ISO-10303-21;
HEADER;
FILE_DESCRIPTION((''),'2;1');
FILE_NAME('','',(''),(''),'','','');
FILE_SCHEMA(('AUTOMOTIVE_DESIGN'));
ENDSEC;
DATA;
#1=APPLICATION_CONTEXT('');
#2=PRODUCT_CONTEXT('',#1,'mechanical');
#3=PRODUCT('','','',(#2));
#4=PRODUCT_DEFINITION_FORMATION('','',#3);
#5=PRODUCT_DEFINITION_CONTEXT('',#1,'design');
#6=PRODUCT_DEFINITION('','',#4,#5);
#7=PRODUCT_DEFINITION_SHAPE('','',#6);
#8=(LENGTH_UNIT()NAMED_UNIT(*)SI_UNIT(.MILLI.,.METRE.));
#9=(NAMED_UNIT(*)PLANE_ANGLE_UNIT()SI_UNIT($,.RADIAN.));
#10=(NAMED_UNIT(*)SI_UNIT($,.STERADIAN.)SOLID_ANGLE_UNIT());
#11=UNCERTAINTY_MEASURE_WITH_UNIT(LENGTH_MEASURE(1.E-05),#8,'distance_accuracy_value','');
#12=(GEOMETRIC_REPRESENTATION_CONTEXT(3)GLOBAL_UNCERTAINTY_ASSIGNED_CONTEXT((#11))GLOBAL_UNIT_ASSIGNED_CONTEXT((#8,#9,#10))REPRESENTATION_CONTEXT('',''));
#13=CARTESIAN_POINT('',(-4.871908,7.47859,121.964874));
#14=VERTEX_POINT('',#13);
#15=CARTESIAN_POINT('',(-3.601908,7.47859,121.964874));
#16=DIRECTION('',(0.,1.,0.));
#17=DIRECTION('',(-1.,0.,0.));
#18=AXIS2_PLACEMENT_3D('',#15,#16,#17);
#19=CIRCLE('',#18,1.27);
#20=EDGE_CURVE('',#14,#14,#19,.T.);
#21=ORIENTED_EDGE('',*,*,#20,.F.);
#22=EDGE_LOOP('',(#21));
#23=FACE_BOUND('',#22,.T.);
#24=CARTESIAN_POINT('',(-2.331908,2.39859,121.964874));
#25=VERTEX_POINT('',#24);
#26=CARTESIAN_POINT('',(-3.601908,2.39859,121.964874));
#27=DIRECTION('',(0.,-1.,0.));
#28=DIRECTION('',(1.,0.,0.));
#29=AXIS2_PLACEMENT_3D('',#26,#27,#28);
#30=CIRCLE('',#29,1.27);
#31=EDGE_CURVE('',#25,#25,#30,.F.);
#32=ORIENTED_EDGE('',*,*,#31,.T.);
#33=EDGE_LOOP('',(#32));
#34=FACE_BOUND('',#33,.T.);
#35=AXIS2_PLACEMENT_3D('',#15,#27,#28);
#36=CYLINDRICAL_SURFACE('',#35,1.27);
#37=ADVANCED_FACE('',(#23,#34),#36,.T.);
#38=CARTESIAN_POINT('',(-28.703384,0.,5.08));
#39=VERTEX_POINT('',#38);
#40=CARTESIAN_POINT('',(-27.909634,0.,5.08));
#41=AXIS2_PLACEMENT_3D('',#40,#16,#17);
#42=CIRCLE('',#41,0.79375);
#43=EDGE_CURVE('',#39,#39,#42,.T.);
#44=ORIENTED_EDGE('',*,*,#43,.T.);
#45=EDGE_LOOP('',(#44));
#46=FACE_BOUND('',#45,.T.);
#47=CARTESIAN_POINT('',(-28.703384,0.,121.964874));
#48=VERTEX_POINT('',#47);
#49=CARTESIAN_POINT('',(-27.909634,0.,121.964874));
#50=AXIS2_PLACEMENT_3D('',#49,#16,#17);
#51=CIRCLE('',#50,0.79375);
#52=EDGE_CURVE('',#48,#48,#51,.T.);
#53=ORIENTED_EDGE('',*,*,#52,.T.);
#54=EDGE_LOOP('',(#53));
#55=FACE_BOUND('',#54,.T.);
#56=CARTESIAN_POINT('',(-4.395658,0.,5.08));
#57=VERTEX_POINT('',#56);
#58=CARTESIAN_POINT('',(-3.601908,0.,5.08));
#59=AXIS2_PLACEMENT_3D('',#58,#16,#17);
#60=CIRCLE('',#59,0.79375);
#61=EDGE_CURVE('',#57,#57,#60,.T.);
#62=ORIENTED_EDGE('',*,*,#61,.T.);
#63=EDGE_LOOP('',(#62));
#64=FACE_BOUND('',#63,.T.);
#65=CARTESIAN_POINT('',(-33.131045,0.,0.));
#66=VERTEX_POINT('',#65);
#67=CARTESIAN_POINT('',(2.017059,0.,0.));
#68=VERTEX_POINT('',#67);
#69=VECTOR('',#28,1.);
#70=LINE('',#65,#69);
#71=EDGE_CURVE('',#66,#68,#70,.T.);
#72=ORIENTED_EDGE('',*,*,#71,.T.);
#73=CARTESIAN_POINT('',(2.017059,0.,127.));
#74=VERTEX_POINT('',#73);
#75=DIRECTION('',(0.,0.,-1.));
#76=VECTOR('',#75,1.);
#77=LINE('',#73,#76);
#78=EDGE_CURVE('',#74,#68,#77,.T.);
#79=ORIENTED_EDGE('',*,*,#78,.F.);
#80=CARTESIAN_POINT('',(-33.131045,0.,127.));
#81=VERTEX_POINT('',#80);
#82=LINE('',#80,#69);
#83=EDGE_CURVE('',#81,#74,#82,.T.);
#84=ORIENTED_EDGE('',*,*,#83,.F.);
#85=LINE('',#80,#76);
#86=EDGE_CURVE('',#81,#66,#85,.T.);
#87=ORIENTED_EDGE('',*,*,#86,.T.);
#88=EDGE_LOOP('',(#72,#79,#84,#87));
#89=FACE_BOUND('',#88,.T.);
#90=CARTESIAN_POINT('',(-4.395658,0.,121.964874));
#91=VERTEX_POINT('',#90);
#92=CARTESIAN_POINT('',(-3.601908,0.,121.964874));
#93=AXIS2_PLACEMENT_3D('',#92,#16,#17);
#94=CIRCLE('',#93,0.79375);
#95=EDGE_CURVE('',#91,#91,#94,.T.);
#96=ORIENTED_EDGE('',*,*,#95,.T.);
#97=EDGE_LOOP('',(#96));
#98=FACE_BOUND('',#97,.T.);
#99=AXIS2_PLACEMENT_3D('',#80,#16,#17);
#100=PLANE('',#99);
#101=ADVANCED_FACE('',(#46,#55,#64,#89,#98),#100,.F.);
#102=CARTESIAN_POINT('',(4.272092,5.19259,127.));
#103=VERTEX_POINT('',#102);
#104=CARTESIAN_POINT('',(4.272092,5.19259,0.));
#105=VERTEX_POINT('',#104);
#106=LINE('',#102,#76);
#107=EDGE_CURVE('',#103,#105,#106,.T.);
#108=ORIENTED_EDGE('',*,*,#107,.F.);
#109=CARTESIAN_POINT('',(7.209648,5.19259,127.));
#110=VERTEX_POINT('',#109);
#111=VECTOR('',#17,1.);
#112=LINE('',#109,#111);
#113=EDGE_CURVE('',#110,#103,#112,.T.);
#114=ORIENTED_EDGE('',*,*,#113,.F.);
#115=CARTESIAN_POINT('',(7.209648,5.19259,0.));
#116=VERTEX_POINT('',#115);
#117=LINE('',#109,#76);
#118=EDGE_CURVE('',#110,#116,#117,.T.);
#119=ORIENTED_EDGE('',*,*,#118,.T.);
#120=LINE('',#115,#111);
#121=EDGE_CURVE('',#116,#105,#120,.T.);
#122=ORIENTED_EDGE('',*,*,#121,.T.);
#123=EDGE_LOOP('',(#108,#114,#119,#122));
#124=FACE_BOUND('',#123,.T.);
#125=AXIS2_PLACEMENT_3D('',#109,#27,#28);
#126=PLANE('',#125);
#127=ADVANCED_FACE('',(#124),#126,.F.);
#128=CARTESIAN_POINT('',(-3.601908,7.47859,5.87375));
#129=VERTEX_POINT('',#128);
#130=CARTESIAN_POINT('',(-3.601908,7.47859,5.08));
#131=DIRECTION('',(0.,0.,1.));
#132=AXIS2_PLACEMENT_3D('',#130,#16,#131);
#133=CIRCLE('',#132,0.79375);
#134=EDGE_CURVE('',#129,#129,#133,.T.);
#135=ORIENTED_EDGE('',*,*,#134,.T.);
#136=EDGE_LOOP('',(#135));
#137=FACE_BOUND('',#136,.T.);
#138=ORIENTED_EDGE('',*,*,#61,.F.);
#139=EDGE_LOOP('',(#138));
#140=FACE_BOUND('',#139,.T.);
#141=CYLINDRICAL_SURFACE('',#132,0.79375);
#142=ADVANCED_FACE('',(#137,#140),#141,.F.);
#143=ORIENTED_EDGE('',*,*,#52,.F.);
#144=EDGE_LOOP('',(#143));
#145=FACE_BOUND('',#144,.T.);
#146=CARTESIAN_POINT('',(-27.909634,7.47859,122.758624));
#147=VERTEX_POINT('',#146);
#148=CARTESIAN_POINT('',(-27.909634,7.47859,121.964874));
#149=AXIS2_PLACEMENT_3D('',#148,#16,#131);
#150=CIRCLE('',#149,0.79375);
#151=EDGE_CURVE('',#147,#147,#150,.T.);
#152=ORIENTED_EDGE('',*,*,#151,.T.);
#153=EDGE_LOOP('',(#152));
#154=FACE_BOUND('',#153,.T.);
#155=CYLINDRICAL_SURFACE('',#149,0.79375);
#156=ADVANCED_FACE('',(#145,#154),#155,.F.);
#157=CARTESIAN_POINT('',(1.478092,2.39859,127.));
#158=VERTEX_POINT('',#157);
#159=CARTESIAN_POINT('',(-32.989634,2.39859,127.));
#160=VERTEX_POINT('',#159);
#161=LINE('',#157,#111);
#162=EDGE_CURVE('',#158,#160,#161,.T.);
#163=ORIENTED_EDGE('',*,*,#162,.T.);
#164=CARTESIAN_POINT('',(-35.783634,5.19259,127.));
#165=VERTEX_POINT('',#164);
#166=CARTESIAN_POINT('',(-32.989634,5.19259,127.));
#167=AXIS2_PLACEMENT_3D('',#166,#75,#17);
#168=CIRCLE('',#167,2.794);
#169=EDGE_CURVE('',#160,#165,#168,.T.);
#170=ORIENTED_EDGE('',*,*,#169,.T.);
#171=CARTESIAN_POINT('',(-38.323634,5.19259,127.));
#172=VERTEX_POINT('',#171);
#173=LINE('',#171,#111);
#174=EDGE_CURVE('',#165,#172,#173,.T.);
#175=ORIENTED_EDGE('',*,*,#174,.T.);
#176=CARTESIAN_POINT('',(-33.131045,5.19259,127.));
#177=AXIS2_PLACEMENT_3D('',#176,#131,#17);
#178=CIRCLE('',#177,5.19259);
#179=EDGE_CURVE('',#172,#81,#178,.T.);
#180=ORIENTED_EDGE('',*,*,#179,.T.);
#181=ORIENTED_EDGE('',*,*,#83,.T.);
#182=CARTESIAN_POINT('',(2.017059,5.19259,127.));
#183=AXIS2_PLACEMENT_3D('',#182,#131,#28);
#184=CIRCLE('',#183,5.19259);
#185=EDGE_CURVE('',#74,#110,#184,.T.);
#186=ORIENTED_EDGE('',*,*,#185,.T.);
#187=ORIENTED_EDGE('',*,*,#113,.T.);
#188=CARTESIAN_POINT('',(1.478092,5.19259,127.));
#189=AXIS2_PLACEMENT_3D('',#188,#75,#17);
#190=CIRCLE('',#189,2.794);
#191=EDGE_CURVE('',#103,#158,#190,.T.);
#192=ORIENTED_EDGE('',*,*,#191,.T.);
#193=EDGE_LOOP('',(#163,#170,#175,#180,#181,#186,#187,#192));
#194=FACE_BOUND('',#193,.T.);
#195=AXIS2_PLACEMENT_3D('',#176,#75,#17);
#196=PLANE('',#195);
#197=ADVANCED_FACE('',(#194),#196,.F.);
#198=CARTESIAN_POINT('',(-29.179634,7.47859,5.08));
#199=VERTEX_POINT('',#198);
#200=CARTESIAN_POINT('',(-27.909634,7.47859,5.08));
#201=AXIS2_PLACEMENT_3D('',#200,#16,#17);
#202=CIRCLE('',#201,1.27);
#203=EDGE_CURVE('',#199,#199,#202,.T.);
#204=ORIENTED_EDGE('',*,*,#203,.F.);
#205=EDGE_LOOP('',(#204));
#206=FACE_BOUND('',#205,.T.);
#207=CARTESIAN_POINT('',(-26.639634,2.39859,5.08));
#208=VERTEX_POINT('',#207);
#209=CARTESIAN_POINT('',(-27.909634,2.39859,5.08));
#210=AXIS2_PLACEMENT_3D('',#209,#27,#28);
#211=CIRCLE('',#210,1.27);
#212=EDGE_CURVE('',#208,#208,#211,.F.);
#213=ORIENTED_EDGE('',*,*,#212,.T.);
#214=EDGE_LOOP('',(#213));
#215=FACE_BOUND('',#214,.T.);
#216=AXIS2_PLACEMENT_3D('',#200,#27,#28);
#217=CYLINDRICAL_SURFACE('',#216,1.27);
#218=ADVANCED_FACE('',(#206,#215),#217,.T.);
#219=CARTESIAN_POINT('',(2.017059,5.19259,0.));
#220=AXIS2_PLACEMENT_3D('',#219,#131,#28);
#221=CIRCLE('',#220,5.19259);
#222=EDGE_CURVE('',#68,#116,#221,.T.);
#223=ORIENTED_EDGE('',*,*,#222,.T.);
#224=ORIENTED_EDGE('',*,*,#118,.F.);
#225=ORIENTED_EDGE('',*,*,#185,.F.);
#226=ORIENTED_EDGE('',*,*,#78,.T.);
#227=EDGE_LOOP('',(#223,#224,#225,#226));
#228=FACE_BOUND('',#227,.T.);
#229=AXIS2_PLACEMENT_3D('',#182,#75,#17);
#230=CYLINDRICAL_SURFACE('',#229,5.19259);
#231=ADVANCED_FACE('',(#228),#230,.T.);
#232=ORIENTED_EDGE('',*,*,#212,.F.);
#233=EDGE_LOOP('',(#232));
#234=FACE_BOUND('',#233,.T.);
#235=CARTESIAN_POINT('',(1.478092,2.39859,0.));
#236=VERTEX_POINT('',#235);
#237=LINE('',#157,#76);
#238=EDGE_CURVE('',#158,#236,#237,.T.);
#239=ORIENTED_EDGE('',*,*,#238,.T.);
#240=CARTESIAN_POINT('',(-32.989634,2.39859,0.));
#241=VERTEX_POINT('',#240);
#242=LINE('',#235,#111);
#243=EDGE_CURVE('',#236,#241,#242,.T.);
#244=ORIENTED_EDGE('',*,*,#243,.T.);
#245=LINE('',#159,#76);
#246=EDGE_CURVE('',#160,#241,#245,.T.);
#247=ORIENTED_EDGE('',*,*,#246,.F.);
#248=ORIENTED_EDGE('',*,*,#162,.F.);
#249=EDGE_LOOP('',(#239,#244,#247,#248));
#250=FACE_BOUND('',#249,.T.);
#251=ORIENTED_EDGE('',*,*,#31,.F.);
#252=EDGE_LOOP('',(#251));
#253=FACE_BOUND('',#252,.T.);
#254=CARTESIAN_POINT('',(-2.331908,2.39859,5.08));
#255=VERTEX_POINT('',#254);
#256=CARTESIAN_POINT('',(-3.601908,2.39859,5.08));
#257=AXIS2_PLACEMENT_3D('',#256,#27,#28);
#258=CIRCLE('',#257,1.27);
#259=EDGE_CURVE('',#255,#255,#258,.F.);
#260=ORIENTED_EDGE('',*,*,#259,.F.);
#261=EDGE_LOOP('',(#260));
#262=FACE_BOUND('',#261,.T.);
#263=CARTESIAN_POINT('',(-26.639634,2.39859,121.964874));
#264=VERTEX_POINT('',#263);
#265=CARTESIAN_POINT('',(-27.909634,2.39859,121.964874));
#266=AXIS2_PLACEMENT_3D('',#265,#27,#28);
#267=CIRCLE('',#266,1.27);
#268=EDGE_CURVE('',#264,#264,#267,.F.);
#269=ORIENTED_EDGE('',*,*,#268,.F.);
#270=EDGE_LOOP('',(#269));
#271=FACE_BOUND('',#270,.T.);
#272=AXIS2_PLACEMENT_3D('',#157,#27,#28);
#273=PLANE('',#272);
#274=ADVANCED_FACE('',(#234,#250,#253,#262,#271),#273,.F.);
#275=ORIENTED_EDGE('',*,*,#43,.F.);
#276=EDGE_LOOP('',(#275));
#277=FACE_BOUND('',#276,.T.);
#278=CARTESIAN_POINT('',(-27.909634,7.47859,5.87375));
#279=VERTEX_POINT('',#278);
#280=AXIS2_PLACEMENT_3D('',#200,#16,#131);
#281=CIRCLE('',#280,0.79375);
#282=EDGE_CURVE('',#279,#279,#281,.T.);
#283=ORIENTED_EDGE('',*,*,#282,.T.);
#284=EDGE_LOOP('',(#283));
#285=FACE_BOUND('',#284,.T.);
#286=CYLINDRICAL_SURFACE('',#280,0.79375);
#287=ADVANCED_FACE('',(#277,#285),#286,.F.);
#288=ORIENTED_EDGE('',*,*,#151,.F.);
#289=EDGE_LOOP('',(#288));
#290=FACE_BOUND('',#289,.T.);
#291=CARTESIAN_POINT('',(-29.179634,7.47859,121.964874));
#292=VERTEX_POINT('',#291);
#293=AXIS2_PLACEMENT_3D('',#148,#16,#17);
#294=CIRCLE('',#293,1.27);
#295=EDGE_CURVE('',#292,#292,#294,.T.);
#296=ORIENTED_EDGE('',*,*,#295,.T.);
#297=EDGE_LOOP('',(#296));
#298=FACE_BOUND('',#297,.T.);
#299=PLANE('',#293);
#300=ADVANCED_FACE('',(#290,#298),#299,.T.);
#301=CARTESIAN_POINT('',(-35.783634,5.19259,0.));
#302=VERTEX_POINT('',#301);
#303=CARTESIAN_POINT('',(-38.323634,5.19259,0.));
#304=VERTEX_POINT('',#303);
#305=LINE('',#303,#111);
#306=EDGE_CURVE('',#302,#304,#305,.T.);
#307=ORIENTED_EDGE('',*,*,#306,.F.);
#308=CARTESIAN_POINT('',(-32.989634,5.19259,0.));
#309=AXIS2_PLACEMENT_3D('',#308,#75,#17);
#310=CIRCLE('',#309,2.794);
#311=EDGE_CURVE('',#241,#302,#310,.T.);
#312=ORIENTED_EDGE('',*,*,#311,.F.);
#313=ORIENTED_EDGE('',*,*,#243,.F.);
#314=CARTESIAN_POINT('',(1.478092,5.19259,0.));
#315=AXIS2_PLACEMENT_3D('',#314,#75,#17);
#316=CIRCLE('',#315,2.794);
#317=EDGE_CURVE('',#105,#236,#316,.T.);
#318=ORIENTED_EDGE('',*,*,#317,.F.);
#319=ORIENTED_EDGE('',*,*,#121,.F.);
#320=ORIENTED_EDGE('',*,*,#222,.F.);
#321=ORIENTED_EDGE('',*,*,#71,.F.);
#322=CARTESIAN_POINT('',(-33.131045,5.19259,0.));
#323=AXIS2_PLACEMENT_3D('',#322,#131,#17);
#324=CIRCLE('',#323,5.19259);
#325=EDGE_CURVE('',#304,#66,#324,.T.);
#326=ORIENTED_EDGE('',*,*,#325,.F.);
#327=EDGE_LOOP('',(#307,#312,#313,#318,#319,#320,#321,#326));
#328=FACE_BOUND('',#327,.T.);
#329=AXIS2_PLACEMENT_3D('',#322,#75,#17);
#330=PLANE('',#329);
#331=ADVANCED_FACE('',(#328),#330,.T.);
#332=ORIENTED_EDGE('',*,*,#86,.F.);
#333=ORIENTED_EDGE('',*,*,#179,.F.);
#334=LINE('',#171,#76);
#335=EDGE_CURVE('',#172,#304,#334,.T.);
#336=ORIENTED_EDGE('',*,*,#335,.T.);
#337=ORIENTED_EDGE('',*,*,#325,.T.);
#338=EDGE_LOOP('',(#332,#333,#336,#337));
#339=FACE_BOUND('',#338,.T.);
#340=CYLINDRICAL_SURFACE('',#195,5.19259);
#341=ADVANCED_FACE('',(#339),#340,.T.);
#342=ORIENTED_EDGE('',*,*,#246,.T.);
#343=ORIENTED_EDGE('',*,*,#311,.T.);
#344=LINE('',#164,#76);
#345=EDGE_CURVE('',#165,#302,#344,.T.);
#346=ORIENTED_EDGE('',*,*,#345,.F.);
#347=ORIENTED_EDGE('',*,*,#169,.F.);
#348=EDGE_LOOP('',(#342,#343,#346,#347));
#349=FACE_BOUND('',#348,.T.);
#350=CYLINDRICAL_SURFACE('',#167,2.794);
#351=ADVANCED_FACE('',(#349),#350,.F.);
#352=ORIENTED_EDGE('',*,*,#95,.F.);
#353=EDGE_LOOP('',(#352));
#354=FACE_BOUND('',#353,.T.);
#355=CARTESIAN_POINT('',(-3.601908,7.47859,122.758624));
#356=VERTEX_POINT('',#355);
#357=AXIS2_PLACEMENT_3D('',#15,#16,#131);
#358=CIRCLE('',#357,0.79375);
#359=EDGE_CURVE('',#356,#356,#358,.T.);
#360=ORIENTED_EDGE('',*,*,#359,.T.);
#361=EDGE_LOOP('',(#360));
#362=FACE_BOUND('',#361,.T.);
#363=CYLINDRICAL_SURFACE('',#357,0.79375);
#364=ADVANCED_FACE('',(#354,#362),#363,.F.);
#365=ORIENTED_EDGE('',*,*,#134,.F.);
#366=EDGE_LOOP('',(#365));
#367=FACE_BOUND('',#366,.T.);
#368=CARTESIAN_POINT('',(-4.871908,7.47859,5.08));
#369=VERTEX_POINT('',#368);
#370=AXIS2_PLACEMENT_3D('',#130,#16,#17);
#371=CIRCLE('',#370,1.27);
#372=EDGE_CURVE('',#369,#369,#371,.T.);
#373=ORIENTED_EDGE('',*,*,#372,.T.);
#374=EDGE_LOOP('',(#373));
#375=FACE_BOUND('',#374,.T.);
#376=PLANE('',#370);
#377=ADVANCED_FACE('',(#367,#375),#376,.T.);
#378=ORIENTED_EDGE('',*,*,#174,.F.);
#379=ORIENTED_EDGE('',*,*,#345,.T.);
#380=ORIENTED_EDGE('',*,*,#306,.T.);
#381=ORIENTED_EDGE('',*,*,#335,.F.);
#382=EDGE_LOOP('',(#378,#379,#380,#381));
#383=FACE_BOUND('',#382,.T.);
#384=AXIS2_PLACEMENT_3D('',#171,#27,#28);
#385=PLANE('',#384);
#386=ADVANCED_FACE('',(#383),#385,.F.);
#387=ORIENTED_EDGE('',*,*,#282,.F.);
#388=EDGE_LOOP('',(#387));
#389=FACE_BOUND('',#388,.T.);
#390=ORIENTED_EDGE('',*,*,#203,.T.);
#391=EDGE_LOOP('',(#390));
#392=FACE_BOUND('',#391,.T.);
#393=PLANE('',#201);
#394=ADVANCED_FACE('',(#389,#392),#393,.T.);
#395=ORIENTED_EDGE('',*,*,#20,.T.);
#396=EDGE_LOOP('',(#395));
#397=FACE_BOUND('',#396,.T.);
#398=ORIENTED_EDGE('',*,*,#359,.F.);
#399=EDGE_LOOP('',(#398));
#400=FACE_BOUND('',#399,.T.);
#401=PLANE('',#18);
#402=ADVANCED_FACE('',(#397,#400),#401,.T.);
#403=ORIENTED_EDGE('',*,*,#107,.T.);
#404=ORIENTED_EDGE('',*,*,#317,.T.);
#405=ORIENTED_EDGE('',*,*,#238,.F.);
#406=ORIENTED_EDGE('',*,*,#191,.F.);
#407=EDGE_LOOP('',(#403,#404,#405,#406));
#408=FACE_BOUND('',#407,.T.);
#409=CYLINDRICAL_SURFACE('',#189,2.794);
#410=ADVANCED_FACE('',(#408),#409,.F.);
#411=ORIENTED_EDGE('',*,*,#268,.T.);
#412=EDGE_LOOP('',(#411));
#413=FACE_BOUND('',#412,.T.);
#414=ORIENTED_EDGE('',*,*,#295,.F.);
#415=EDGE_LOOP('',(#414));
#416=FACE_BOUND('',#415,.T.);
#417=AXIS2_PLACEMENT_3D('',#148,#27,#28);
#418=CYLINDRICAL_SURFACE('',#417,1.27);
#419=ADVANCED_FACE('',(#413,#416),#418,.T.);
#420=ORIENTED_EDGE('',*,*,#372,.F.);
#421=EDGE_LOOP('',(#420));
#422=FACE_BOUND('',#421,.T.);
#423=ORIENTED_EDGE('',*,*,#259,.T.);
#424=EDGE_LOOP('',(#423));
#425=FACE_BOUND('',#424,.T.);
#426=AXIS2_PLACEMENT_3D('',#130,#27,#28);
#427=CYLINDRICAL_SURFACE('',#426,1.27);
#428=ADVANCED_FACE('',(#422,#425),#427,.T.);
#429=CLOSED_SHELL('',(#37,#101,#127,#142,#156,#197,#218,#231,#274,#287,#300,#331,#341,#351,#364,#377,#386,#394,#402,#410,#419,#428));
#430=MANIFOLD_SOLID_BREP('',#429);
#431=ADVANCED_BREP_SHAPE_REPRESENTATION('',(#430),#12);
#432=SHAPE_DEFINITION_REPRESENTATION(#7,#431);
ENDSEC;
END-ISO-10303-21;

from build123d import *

# Parameters (mm, degrees)
BOSS_EXTRUDE1_DEPTH                = 127
SKETCH4_R                          = 1.27
BOSS_EXTRUDE2_DEPTH                = 5.08
F_1_16_0_0625_DIAMETER_HOLE1_D     = 1.5875
F_1_16_0_0625_DIAMETER_HOLE1_DEPTH = 7.478589674


with BuildPart() as part:
    # Sketch1 → Boss-Extrude1 (new body)
    with BuildSketch(Plane.XY):
        with BuildLine():
            Line((-33.131044693, 0), (2.017058644, 0))
            ThreePointArc((2.017058644, 0), (5.688774014, 1.520874304), (7.209648317, 5.192589674))
            Line((7.209648317, 5.192589674), (4.272091587, 5.192589674))
            ThreePointArc((4.272091587, 5.192589674), (3.453747934, 3.216933327), (1.478091587, 2.398589674))
            Line((1.478091587, 2.398589674), (-32.989634367, 2.398589674))
            ThreePointArc((-32.989634367, 2.398589674), (-34.965290713, 3.216933327), (-35.783634367, 5.192589674))
            Line((-35.783634367, 5.192589674), (-38.323634367, 5.192589674))
            ThreePointArc((-38.323634367, 5.192589674), (-36.802760063, 1.520874304), (-33.131044693, 0))
        make_face()
    extrude(amount=BOSS_EXTRUDE1_DEPTH)

    # Sketch4 → Boss-Extrude2 (add)
    with BuildSketch(Plane(origin=(0, 2.398589674, 0), x_dir=(1, 0, 0), z_dir=(0, 1, 0))):
        with Locations((-27.909634367, -5.08)):
            Circle(SKETCH4_R)
        with Locations((-3.601908413, -5.08)):
            Circle(SKETCH4_R)
        with Locations((-27.909634367, -121.964874012)):
            Circle(SKETCH4_R)
        with Locations((-3.601908413, -121.964874012)):
            Circle(SKETCH4_R)
    extrude(amount=BOSS_EXTRUDE2_DEPTH)

    # 1/16 (0.0625) Diameter Hole1
    with Locations(Plane(origin=(0, 7.478589674, 0), x_dir=(1, 0, 0), z_dir=(0, 1, 0))):
        with Locations((-27.909634367, -5.08), (-3.601908413, -5.08), (-27.909634367, -121.964874012), (-3.601908413, -121.964874012)):
            Hole(F_1_16_0_0625_DIAMETER_HOLE1_D / 2, depth=F_1_16_0_0625_DIAMETER_HOLE1_DEPTH)


solid = part.part
